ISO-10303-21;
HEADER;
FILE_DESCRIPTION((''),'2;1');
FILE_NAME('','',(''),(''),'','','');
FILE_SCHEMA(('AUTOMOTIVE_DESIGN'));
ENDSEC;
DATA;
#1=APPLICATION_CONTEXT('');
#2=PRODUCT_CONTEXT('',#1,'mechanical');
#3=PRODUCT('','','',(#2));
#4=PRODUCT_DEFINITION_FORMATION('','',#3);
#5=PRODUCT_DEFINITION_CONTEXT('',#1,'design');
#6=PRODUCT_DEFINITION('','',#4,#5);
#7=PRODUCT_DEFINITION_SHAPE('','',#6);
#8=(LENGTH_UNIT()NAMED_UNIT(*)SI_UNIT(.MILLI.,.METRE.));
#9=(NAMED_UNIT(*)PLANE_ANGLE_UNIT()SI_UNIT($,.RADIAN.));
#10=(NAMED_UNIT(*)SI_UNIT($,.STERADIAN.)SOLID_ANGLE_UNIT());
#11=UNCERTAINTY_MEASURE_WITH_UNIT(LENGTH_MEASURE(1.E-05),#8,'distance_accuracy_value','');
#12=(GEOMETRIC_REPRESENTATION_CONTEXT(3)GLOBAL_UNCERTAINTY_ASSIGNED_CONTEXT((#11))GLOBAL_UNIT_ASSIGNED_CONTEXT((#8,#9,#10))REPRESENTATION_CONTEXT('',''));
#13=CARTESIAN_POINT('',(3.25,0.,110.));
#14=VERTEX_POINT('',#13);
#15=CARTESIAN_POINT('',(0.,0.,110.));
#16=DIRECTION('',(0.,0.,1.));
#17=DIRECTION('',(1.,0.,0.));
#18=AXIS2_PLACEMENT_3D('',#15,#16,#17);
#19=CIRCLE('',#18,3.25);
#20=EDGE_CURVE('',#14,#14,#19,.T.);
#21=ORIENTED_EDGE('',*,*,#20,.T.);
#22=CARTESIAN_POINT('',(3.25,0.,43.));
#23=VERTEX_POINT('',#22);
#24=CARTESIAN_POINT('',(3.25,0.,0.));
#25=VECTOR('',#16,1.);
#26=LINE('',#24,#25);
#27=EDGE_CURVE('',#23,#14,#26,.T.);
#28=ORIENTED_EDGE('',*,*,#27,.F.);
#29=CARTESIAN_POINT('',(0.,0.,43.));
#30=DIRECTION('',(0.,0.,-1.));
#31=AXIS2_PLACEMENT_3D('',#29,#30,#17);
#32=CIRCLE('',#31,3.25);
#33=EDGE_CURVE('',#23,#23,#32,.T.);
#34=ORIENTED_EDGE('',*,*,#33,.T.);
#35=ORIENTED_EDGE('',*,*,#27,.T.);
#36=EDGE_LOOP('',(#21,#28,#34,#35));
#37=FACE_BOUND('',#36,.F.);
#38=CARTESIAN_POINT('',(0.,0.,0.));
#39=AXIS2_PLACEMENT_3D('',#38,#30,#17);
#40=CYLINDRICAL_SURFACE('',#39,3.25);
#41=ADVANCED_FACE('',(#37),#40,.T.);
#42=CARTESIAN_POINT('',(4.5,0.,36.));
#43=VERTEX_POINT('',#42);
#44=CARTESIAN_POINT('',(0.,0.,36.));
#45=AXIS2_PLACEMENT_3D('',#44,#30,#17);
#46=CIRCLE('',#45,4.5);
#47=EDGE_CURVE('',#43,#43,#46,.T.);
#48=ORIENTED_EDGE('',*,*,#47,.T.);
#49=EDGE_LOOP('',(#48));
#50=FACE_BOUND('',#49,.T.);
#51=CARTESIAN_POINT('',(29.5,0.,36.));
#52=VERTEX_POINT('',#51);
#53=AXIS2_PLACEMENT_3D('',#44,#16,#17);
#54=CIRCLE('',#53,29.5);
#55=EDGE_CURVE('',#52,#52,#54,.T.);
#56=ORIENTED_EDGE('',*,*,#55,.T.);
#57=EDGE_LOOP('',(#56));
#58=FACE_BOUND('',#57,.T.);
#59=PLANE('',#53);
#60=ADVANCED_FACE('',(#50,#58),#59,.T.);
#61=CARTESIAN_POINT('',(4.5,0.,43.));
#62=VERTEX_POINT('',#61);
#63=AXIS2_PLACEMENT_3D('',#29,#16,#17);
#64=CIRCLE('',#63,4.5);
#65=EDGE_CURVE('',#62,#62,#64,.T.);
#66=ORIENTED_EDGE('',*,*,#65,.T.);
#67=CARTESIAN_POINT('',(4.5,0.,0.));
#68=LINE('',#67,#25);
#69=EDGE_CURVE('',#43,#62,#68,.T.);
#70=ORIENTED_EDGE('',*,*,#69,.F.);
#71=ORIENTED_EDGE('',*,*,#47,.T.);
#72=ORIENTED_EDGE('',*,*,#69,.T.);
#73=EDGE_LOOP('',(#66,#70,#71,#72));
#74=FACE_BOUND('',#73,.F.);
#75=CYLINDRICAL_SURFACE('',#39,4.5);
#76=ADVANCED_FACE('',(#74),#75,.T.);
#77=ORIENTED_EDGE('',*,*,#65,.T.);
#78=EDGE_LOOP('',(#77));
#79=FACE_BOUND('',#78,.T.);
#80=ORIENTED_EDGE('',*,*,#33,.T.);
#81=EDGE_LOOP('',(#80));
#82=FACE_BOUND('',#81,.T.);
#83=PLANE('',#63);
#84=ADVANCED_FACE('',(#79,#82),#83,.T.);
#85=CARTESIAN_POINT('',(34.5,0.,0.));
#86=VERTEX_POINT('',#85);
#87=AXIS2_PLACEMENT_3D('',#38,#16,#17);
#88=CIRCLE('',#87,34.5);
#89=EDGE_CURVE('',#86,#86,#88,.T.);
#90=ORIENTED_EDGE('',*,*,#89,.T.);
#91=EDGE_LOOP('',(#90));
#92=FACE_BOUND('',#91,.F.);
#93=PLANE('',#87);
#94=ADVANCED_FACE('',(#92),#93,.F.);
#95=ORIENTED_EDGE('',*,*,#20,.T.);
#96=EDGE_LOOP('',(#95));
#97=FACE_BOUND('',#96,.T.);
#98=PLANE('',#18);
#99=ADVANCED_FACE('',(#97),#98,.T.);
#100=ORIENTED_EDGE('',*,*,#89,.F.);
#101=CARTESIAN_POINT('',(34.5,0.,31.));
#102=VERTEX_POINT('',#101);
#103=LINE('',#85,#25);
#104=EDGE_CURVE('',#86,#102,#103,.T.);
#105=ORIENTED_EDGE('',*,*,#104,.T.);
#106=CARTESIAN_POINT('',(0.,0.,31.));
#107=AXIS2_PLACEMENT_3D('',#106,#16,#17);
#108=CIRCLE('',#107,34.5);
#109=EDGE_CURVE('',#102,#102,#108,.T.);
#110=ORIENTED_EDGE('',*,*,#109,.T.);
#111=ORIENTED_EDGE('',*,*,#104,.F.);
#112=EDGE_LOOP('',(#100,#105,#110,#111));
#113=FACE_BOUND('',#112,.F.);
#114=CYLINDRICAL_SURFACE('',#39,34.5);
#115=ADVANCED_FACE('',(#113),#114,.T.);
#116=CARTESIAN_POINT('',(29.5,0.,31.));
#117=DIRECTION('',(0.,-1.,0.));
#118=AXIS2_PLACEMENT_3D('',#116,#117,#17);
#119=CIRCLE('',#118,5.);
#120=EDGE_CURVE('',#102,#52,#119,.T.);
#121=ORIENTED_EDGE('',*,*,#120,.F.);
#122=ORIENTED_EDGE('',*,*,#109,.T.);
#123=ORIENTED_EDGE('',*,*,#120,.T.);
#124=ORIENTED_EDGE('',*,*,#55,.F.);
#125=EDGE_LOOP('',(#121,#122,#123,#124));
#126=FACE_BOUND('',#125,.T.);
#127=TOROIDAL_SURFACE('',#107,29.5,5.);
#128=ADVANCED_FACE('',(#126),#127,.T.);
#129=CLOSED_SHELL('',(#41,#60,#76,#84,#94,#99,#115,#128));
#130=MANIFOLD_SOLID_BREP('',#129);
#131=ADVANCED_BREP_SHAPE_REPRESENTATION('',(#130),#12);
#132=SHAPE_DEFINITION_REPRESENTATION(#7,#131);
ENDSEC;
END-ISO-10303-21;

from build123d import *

# Parameters (mm, degrees)
F1_R     = 3.25
F3_DEPTH = 110
F0_R     = 34.5
F4_DEPTH = 36
F2_R     = 4.5
F5_DEPTH = 43
F6_R     = 5


with BuildPart() as f3:
    # F1 (on Top) → F3 (new body)
    with BuildSketch(Plane.XY):
        Circle(F1_R)
    extrude(amount=F3_DEPTH)

    # F0 (on Top) → F4 (join)
    with BuildSketch(Plane.XY):
        Circle(F0_R)
    extrude(amount=F4_DEPTH)

    # F2 (on Top) → F5 (join)
    with BuildSketch(Plane.XY):
        Circle(F2_R)
    extrude(amount=F5_DEPTH)

    # F6
    f6_edges = [f3.edges().sort_by_distance(p)[0] for p in [
        (-34.5, 0, 36),
    ]]
    fillet(f6_edges, radius=F6_R)


solid = f3.part
